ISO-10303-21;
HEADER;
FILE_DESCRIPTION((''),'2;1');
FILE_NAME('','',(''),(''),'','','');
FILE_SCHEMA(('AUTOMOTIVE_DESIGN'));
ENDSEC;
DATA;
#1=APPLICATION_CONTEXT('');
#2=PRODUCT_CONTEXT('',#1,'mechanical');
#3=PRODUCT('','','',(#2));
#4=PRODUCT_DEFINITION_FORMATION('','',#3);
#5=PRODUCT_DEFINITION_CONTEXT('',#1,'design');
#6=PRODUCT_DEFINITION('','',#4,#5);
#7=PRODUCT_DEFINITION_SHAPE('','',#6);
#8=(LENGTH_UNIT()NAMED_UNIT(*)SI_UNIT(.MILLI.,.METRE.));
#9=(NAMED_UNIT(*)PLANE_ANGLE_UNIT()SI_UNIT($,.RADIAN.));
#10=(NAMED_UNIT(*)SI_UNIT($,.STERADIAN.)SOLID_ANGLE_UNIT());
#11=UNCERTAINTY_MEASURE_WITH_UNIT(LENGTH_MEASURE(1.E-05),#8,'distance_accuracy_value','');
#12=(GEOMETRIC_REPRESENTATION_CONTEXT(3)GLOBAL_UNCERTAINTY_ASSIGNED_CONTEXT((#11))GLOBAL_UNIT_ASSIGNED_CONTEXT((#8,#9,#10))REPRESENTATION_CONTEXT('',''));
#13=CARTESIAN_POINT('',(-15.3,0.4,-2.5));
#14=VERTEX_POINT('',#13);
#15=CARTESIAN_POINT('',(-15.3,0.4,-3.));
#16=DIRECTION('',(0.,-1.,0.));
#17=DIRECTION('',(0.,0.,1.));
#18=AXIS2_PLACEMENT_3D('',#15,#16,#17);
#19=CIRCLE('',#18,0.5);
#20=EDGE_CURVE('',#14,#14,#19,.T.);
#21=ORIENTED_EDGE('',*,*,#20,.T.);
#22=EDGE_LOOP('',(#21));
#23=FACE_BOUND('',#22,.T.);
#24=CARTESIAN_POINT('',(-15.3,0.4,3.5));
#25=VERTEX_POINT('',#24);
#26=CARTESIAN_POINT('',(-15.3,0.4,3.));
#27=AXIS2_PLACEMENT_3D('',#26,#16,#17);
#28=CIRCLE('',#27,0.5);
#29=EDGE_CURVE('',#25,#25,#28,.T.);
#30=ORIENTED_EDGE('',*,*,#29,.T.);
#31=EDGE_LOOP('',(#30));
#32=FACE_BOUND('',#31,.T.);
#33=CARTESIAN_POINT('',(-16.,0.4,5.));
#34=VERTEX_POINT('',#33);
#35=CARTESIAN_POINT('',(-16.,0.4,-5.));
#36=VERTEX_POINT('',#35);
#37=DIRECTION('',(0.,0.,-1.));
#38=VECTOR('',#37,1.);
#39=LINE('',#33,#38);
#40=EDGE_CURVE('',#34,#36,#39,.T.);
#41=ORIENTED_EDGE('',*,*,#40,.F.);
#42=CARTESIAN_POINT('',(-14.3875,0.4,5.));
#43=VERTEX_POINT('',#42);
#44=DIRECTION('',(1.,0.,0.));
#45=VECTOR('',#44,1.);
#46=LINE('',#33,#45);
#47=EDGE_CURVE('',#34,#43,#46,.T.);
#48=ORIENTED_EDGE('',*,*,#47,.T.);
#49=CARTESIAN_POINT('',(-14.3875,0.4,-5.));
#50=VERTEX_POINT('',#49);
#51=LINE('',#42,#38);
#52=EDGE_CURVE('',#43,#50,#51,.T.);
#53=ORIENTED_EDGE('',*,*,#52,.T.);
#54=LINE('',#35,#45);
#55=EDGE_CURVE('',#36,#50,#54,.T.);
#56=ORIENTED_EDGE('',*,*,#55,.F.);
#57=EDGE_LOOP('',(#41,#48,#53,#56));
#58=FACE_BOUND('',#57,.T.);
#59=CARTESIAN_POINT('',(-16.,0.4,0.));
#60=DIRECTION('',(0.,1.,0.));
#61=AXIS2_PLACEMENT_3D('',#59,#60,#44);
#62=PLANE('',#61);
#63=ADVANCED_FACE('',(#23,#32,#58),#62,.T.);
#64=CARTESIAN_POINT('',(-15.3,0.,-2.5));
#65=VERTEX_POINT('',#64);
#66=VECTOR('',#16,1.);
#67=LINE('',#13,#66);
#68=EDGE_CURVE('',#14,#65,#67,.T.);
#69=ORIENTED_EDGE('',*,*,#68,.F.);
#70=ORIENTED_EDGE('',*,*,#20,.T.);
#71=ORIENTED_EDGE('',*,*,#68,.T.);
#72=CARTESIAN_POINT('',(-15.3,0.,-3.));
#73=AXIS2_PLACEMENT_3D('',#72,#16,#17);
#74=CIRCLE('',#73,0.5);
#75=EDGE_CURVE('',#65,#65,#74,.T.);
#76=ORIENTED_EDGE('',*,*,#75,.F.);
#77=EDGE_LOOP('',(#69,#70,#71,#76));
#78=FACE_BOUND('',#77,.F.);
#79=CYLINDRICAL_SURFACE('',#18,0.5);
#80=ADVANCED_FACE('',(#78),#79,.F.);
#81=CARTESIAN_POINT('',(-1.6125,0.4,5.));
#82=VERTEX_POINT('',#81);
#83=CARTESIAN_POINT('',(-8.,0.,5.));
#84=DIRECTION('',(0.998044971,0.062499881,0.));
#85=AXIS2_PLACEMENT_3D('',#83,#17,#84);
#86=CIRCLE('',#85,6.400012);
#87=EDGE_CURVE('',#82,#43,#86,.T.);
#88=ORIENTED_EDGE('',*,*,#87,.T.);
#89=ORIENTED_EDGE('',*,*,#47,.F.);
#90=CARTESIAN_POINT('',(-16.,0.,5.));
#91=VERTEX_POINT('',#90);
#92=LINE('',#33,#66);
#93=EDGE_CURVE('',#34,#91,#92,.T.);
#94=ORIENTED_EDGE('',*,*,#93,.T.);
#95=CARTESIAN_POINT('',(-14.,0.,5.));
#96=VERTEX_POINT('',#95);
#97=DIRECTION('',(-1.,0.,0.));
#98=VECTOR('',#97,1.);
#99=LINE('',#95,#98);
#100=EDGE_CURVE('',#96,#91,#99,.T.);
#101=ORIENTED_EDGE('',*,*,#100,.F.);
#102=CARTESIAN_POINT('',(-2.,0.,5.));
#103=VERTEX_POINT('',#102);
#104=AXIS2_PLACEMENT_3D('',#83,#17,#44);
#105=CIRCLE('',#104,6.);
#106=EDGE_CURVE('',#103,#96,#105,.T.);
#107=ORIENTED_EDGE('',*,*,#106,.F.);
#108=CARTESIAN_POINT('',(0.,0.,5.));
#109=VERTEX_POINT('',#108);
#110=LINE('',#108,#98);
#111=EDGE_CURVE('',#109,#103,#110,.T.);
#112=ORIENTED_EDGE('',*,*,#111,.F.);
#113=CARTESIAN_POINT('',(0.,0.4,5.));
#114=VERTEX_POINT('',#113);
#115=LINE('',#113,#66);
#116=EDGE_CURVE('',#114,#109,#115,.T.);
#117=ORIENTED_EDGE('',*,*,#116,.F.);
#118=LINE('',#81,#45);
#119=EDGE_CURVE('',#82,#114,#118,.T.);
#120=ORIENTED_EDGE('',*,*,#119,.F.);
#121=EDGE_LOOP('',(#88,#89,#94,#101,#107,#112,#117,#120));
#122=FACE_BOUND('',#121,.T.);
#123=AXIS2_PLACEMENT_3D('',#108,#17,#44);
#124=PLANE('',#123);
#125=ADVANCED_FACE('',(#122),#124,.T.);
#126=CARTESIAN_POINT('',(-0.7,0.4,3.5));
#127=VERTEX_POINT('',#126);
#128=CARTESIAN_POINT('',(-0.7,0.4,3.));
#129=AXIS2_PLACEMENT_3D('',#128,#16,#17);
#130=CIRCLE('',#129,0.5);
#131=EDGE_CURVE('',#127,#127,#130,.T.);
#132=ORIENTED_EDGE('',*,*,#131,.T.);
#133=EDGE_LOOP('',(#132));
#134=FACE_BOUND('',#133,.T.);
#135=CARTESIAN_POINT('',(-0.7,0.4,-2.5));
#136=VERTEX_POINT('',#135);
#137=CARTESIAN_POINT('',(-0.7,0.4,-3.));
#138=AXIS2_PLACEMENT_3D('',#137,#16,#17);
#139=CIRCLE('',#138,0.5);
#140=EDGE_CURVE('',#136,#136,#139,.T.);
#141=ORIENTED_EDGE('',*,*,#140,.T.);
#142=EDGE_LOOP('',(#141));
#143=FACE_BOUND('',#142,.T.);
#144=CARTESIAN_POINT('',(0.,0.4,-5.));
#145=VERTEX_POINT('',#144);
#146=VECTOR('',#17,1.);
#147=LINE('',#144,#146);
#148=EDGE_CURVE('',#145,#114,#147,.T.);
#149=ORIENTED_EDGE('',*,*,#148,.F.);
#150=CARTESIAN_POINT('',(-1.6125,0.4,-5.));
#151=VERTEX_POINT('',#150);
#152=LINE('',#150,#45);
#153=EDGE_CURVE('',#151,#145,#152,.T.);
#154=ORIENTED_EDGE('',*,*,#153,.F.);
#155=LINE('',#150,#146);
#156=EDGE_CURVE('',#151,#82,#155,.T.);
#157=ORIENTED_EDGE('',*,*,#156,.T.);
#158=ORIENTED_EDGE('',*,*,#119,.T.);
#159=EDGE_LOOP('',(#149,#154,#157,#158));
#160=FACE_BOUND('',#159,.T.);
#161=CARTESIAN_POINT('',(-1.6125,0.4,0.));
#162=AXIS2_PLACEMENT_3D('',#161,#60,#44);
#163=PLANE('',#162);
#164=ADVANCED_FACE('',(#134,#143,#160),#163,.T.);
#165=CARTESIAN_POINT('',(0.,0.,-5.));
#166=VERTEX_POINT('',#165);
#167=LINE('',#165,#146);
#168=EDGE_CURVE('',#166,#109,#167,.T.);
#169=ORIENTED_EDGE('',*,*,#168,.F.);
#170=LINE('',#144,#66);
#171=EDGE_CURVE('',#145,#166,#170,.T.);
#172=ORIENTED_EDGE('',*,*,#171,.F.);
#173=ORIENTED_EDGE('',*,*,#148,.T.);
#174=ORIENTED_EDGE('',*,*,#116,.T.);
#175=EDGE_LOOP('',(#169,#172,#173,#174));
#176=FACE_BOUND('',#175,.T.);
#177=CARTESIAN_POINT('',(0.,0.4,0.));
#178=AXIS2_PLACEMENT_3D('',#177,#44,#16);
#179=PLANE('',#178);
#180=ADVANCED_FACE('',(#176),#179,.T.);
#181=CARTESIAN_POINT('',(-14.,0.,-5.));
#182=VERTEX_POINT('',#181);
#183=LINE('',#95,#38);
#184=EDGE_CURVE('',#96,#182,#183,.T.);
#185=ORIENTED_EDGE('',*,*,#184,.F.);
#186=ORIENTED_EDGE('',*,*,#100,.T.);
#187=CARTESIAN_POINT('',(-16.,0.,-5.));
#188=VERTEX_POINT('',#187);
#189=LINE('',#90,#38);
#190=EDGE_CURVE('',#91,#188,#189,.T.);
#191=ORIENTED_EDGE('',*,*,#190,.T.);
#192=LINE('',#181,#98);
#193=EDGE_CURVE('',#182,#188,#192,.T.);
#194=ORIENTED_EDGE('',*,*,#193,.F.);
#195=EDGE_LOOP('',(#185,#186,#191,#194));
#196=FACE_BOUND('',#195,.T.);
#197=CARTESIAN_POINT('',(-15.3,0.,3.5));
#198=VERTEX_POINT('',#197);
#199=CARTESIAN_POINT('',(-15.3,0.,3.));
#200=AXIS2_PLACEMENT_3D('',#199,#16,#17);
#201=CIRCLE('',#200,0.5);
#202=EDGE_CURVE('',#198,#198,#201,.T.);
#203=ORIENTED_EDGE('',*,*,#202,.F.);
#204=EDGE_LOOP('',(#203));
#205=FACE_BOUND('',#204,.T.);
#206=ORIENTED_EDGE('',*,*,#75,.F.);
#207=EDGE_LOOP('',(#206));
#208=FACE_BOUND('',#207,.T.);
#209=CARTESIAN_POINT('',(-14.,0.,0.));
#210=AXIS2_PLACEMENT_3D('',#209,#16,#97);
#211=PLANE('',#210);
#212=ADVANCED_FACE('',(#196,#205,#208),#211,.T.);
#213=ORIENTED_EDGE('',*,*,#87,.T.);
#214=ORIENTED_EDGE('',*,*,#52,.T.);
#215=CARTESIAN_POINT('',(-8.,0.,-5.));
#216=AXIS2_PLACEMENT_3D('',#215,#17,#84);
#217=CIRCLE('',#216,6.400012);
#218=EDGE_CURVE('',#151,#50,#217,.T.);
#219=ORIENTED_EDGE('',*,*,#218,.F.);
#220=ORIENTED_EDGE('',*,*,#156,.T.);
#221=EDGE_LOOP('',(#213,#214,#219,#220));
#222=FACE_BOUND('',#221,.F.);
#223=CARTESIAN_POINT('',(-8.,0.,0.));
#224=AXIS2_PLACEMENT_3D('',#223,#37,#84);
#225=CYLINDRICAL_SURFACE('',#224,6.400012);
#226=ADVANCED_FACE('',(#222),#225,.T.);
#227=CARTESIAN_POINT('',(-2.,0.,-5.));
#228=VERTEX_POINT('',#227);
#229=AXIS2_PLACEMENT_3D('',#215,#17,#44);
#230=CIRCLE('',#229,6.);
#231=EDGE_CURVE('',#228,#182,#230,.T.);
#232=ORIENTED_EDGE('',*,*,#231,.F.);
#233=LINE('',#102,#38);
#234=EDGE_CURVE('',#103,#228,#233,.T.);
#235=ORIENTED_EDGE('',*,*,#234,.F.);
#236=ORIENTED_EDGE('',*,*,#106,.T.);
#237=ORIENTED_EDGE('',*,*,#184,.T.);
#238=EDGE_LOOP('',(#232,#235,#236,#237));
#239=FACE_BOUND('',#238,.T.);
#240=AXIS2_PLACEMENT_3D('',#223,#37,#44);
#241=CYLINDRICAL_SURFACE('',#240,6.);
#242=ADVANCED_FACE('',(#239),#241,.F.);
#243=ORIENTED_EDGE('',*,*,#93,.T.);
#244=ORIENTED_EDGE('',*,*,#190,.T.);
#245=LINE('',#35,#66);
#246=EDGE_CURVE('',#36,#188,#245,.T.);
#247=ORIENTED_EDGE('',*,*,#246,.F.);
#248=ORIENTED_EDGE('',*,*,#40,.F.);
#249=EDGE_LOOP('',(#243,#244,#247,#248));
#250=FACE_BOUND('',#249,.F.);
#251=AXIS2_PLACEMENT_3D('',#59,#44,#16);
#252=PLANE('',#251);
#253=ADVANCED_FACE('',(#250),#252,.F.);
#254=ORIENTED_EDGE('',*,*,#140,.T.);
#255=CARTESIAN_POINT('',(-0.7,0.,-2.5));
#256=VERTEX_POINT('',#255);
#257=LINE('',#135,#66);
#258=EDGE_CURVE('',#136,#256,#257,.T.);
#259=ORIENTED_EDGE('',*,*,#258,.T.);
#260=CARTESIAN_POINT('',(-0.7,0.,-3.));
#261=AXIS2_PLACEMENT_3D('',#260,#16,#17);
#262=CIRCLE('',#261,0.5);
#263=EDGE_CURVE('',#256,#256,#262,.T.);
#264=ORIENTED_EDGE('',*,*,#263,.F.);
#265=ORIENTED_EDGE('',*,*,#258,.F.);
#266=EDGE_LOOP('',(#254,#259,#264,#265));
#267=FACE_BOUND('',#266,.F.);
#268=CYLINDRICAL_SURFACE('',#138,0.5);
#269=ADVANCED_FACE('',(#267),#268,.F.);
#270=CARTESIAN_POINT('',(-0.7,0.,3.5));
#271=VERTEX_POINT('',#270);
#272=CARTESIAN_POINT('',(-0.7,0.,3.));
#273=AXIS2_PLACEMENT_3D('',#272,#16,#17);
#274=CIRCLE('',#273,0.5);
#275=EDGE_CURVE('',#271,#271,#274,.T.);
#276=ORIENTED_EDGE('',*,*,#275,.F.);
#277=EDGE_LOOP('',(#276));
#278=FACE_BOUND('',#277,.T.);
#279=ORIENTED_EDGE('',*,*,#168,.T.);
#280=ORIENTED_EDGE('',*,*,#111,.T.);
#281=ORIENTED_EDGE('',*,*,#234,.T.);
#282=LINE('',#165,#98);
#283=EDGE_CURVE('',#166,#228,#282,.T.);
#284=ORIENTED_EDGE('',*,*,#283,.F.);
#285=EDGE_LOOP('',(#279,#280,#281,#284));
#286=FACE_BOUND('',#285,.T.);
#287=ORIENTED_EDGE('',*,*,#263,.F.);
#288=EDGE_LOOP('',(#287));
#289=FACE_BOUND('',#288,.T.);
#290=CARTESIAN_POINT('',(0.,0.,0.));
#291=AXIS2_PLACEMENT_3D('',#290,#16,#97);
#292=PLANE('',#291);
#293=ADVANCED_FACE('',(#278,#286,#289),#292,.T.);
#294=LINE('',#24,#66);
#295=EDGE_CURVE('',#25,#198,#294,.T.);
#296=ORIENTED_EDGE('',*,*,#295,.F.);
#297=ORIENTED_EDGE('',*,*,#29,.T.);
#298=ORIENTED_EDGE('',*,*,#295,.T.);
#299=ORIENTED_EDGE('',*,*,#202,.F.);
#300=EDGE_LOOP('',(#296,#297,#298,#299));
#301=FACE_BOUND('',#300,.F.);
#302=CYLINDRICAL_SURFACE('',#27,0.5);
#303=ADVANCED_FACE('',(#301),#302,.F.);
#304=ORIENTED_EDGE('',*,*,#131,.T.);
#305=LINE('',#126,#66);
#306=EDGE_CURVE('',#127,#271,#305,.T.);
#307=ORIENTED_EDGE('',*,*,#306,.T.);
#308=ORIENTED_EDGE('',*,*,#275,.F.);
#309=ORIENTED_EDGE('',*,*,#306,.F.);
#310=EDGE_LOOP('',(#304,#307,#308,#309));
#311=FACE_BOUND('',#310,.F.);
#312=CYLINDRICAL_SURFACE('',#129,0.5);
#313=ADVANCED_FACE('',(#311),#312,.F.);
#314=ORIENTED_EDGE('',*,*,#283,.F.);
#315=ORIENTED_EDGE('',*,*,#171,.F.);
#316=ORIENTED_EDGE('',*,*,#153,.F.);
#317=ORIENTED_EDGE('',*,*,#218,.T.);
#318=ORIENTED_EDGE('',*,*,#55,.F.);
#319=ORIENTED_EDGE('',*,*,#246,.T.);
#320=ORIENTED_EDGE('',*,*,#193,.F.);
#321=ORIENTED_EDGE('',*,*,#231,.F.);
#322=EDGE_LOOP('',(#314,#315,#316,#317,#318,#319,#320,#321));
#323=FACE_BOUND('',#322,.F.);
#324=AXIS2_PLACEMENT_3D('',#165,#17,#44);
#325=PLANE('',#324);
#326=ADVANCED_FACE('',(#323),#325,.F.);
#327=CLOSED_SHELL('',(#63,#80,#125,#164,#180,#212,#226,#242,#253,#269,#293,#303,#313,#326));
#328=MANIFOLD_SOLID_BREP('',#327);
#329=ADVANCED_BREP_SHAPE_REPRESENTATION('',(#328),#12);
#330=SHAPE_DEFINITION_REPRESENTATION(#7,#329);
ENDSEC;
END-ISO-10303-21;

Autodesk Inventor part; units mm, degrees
ref_plane "YZ Plane" through (0, 0, 0) normal (1, 0, 0) x (0, 1, 0)
ref_plane "XZ Plane" through (0, 0, 0) normal (0, 1, 0) x (-1, 0, 0)
ref_plane "XY Plane" through (0, 0, 0) normal (0, 0, 1) x (1, 0, 0)
sketch "Esboço1" plane through (0, 0, 0) normal (0, 0, 1) x (1, 0, 0)
  line L0 (0, 0) -> (-2, 0)
  arc A0 (-2, 0) -> (-14, 0) centre (-8, 0) ccw
  line L1 (-14, 0) -> (-16, 0)
  line L2 (-16, 0.4) -> (-14.3875, 0.4)
  arc A1 (-1.6125, 0.4) -> (-14.3875, 0.4) centre (-8, 0) ccw
  line L3 (-1.6125, 0.4) -> (0, 0.4)
  line L4 (0, 0.4) -> (0, 0)
  line L5 (-16, 0.4) -> (-16, 0)
  dimension "d2" = 2
  dimension "d3" = 12
  dimension "d4" = 6
  dimension "d5" = 2
  dimension "d6" = 6.4
extrude "Extrusão1" add sketch "Esboço1" along normal mid plane 10
sketch "Esboço4" plane through (-1.6125, 0.4, 5) normal (0, 1, 0) x (1, 0, 0)
  line L0 (1.6125, 10) -> (1.6125, 0) projected
  line L1 (1.6125, 0) -> (0, 0) projected
  line L2 (0, 10) -> (1.6125, 10) projected
  point P0 (1.6125, 5)
  point P1 (0.9125, 2)
  point P2 (0.9125, 8)
  point P3 (0.8063, 0)
  dimension "d13" = 0.7
  dimension "d14" = 0.7
  dimension "d15" = 2
  dimension "d16" = 2
hole "Furo1" at (-0.7, 0.4, 3) at (-0.7, 0.4, -3) direction (0, -1, 0) diameter 0.5 end through all counterbore diameter 1 counterbore depth 1
sketch "Esboço5" plane through (-16, 0.4, 5) normal (0, 1, 0) x (1, 0, 0)
  line L0 (0, 10) -> (0, 0) projected
  line L1 (0, 10) -> (1.6125, 10) projected
  line L2 (1.6125, 0) -> (0, 0) projected
  point P0 (16, 5)
  point P1 (0.7, 8)
  point P2 (0.7, 2)
  dimension "d24" = 0.7
  dimension "d25" = 2
  dimension "d26" = 2
  dimension "d27" = 0.7
hole "Furo2" at (-15.3, 0.4, -3) at (-15.3, 0.4, 3) direction (0, -1, 0) diameter 0.5 end through all counterbore diameter 1 counterbore depth 1
thread "Rosca1" size "M1x0.25" class "6H" standard "ANSI Metric M Profile" length 150
thread "Rosca2" size "M1x0.25" class "6H" standard "ANSI Metric M Profile" full length
thread "Rosca3" size "M1x0.25" class "6H" standard "ANSI Metric M Profile" full length
thread "Rosca4" size "M1x0.25" class "6H" standard "ANSI Metric M Profile" full length
thread "Rosca5" size "M1x0.25" class "6H" standard "ANSI Metric M Profile" full length
equation "\"Raio_vergadura\" = Espessura"
equation "\"Largura_alívio_de_vergadura\" = Espessura"
equation "\"Profundidade_alívio_de_vergadura\" = 0.5 * Espessura"
equation "\"Tamanho_alívio_de_dobra\" = 4 * Espessura"
equation "\"Remanescente_mínimo\" = 2 * Espessura"
equation "\"Raiodetransição\" = Raio_vergadura"
equation "\"Tamanho_de_raio_de_Jacobi\" = Raio_vergadura"
equation "\"TamanhoFolga\" = Espessura"
equation "\"Espessura\" = 0.5"
